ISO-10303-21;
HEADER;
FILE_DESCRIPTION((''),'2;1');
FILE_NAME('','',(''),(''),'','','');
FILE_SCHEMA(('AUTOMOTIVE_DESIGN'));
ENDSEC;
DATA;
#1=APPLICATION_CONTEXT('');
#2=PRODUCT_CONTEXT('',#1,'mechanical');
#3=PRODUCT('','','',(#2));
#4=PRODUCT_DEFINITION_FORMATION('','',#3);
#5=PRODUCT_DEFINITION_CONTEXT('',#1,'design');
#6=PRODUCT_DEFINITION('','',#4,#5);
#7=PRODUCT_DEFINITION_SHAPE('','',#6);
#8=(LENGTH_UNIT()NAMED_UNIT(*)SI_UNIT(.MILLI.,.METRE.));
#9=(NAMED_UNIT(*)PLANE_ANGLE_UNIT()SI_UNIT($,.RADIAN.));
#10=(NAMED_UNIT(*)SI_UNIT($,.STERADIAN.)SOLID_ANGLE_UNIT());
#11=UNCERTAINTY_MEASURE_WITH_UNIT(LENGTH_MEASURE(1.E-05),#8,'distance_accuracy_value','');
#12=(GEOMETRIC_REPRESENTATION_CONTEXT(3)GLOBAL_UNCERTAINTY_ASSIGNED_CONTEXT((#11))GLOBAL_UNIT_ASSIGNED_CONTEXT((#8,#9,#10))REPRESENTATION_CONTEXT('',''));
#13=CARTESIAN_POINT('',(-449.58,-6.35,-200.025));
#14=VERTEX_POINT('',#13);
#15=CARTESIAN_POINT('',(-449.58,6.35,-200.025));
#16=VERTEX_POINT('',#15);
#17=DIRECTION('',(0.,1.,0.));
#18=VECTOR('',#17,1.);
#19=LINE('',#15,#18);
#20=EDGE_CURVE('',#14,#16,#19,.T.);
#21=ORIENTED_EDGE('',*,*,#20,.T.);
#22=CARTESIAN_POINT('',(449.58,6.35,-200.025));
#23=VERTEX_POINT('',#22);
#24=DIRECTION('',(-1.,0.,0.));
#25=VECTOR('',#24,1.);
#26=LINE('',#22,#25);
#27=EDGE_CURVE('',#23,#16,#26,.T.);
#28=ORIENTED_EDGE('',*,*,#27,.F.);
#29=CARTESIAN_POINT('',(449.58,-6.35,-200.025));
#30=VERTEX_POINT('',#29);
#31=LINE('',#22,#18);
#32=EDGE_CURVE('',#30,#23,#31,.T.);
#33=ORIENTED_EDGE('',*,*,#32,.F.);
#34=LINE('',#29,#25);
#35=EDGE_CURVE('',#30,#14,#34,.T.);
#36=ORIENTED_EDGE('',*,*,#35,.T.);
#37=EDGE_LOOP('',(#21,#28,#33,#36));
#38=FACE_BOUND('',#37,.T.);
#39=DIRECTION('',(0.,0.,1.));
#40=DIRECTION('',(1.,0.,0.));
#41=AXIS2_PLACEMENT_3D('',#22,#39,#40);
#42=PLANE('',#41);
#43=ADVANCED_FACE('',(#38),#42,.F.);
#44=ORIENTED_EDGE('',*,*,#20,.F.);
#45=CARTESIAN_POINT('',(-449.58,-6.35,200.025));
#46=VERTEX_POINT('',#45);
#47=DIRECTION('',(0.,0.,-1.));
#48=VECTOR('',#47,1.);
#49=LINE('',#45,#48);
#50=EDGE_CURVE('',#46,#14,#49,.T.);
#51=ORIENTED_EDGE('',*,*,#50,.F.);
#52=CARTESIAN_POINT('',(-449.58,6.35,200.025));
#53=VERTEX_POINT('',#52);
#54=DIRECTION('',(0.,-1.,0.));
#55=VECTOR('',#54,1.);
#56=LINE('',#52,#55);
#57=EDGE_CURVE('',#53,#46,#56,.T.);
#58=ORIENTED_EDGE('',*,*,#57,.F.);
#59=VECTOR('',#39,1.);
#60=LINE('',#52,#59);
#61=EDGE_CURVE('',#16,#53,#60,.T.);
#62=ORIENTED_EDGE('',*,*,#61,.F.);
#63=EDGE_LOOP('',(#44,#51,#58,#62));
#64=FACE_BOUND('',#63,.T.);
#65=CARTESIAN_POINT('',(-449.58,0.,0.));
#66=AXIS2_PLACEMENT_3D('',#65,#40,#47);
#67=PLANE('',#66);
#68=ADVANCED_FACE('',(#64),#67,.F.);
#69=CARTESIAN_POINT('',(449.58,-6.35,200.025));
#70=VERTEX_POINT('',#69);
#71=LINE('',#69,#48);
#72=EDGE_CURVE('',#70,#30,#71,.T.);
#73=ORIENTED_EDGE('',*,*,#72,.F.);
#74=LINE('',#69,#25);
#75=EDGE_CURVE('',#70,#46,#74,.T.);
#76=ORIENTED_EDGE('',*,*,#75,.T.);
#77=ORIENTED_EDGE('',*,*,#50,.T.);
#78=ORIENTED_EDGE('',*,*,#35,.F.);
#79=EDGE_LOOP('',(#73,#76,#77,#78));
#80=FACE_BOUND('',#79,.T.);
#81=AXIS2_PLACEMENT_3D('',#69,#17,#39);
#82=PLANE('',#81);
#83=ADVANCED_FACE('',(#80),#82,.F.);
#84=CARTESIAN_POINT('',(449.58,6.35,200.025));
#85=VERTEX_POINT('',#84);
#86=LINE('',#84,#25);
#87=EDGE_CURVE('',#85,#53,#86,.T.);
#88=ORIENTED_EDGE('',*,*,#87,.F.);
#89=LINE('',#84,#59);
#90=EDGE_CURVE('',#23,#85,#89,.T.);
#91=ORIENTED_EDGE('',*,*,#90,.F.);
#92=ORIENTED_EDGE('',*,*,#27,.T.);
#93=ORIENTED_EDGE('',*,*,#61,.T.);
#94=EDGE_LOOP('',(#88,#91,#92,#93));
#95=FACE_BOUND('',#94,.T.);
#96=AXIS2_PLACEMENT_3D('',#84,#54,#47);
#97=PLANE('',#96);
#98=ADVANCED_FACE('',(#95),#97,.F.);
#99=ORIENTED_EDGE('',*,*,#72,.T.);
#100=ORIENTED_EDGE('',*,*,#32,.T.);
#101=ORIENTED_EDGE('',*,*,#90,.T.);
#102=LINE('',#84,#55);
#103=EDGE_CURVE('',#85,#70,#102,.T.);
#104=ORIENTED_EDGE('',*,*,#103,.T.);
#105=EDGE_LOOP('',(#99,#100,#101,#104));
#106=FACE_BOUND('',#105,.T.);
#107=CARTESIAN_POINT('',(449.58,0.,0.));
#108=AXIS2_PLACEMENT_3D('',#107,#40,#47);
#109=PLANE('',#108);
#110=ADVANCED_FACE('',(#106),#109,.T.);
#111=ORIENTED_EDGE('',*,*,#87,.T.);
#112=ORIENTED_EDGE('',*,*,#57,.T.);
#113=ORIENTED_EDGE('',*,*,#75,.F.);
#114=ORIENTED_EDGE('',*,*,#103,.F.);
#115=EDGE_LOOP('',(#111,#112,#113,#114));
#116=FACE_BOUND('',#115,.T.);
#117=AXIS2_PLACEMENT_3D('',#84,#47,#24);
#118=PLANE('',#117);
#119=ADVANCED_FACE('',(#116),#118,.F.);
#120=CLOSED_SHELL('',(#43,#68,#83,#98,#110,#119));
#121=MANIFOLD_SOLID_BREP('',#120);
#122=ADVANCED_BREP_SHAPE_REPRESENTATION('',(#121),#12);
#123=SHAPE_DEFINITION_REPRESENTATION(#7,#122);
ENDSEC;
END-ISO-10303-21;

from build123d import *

# Parameters (mm, degrees)
SKETCH1_W           = 400.05
SKETCH1_H           = 12.7
BOSS_EXTRUDE1_DEPTH = 449.58


with BuildPart() as part:
    # Sketch1 → Boss-Extrude1 (new, symmetric)
    with BuildSketch(Plane(origin=(0, 0, 0), x_dir=(0, 0, -1), z_dir=(1, 0, 0))):
        Rectangle(SKETCH1_W, SKETCH1_H)
    extrude(amount=BOSS_EXTRUDE1_DEPTH, both=True)


solid = part.part
